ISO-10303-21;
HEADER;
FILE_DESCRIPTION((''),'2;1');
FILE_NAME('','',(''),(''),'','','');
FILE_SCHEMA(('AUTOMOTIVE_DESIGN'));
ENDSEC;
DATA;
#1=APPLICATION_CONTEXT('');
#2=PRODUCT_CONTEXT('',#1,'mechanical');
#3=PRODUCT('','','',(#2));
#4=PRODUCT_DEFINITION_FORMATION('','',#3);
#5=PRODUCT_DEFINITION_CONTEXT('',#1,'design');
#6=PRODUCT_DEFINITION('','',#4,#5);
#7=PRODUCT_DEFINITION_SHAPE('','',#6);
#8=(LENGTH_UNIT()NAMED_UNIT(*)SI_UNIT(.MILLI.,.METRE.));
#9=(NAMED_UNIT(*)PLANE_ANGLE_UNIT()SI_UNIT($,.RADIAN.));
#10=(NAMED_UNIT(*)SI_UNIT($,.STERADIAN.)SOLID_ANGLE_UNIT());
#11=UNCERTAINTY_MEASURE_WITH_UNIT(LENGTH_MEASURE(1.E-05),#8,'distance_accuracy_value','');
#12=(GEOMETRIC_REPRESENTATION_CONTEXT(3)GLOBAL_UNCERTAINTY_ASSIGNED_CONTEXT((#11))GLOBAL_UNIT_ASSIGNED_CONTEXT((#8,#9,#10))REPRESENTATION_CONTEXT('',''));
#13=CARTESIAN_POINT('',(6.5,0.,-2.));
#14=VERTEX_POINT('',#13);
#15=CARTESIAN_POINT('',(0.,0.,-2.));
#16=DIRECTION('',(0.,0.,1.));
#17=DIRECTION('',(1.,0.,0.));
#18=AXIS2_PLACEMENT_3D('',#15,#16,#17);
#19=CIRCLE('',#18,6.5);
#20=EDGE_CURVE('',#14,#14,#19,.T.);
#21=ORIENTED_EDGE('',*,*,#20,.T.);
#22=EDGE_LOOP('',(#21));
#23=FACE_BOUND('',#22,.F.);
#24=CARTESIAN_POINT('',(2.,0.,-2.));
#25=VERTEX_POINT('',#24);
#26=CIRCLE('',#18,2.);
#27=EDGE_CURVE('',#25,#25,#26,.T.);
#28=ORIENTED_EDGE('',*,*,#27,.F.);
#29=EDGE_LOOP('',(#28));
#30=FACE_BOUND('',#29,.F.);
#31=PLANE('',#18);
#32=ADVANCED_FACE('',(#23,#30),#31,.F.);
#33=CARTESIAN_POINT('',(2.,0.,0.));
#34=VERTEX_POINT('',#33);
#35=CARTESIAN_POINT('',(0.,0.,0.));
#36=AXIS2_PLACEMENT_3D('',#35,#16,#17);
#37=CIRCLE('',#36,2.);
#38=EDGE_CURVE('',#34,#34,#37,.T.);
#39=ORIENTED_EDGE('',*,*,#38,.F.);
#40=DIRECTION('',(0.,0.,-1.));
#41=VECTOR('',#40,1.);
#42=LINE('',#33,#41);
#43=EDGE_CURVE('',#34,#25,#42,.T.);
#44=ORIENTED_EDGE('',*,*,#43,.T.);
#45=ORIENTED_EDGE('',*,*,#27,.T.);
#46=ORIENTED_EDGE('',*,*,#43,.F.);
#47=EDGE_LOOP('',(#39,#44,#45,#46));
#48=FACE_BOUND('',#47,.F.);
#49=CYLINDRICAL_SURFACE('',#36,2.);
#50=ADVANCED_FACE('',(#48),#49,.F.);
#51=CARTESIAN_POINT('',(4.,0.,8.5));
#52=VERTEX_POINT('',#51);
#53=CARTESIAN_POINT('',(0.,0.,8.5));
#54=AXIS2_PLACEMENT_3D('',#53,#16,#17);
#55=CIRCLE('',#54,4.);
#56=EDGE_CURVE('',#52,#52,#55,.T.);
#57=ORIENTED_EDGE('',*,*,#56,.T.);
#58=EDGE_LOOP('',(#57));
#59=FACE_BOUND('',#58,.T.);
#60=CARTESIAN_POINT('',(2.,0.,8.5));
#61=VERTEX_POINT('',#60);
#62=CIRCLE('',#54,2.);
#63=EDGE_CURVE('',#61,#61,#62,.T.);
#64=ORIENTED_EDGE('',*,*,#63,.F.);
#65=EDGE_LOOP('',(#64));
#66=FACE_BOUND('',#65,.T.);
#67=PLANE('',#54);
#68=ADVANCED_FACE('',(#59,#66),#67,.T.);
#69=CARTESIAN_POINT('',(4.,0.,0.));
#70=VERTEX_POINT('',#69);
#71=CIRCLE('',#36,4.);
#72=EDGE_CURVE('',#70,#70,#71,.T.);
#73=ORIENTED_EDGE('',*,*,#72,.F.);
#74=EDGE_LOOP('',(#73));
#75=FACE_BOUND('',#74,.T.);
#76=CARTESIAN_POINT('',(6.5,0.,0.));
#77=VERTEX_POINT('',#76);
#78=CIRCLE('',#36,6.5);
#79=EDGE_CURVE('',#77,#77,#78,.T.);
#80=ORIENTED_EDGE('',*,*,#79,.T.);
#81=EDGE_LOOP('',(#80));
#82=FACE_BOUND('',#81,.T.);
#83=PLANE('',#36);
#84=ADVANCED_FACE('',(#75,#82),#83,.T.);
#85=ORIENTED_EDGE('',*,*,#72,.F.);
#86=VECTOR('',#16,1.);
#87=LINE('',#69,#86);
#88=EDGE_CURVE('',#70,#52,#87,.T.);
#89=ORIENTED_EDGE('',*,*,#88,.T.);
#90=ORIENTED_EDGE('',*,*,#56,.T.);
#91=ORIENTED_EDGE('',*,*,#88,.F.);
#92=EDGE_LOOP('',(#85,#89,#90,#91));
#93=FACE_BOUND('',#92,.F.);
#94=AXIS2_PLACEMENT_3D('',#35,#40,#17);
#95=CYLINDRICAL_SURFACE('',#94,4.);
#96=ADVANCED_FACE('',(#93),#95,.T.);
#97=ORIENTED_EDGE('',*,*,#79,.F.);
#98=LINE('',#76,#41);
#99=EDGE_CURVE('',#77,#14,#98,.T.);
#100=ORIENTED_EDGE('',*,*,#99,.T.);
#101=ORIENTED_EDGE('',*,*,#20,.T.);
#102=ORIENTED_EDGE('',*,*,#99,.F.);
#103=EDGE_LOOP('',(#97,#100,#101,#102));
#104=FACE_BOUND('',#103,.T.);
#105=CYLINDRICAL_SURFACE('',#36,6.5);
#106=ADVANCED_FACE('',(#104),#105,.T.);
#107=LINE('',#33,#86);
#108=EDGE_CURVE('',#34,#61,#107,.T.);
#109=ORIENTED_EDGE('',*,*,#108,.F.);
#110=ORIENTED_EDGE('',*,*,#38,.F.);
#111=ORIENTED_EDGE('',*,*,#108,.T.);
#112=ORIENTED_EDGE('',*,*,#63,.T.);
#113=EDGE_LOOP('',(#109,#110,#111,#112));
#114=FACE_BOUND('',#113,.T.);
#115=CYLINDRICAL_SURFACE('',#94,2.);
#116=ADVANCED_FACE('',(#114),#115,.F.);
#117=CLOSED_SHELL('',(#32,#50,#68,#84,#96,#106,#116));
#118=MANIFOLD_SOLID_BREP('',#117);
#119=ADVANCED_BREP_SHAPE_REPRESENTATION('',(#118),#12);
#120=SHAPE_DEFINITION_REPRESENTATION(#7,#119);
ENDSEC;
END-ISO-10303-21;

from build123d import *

# Parameters (mm, degrees)
F0_R     = 4
F0_R_2   = 2
F1_DEPTH = 8.5
F2_R     = 6.5
F3_DEPTH = 2
F4_DEPTH = 3


with BuildPart() as f1:
    # F0 (on Top) → F1 (new body)
    with BuildSketch(Plane.XY):
        Circle(F0_R)
        Circle(F0_R_2, mode=Mode.SUBTRACT)
    extrude(amount=F1_DEPTH)

    # F2 (on Top) → F3 (join)
    with BuildSketch(Plane.XY):
        Circle(F2_R)
    extrude(amount=-F3_DEPTH)

    # F0 (on Top) → F4 (cut)
    with BuildSketch(Plane.XY):
        Circle(F0_R_2)
    extrude(amount=-F4_DEPTH, mode=Mode.SUBTRACT)


solid = f1.part
